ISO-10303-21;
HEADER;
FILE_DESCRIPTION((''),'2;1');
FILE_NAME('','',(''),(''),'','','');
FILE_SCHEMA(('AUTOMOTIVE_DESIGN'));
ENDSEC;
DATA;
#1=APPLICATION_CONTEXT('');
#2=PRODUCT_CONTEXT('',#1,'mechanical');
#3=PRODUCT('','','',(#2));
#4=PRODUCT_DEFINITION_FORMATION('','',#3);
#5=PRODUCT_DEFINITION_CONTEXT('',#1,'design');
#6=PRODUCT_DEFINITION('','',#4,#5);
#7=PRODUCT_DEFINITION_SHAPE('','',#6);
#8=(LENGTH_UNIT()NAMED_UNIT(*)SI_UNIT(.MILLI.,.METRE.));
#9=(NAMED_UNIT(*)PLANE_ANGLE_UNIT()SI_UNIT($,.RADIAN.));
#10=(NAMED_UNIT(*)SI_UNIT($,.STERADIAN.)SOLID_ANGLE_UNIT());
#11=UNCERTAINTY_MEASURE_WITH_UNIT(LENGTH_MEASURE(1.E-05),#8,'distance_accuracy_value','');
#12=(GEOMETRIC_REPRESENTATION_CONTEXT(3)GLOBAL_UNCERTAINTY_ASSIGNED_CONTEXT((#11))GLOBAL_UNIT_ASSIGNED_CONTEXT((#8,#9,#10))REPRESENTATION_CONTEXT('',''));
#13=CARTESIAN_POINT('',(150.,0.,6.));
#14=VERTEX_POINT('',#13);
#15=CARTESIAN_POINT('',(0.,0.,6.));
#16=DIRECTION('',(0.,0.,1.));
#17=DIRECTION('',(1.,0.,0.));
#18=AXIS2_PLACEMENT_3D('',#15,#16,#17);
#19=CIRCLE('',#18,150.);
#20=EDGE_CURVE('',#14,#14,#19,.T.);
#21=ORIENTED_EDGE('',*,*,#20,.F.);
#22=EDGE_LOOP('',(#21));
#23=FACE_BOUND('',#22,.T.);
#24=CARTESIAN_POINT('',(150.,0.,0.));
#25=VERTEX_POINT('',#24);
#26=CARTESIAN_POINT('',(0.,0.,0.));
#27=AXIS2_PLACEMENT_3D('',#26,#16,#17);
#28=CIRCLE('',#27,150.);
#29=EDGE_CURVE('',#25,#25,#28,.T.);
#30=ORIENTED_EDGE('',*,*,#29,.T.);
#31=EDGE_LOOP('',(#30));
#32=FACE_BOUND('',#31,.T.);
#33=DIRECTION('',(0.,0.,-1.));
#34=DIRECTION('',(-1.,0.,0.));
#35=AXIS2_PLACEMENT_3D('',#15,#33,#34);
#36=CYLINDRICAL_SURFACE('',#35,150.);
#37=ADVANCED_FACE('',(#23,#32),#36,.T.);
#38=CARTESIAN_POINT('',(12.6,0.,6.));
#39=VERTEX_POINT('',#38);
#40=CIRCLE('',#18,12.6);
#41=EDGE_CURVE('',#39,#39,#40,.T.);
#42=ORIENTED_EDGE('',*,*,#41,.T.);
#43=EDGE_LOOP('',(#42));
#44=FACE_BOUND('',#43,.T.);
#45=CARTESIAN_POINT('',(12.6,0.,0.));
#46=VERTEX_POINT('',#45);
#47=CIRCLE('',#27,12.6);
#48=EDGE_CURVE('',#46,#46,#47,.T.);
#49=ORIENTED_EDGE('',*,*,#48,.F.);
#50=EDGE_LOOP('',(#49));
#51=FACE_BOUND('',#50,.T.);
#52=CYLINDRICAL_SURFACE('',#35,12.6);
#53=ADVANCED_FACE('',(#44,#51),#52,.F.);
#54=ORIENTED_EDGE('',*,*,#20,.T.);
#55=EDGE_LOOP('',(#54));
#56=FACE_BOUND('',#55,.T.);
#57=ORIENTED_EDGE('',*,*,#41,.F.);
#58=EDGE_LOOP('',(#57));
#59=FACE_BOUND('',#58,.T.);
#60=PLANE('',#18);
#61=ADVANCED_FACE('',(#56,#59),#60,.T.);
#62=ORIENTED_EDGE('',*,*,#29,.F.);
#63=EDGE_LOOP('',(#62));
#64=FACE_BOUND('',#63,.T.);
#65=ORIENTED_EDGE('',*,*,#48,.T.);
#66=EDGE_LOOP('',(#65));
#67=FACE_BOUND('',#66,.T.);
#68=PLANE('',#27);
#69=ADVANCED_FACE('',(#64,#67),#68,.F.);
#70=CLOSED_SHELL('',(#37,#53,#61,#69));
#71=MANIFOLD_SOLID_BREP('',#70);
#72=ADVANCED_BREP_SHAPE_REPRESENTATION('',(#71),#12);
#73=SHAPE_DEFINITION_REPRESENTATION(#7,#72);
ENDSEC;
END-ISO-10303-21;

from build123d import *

# Parameters (mm, degrees)
ESQUISSE1_R        = 150
ESQUISSE1_R_2      = 12.6
BOSS_EXTRU_1_DEPTH = 6


with BuildPart() as part:
    # Esquisse1 → Boss.-Extru.1 (new body)
    with BuildSketch(Plane.XY):
        Circle(ESQUISSE1_R)
        Circle(ESQUISSE1_R_2, mode=Mode.SUBTRACT)
    extrude(amount=BOSS_EXTRU_1_DEPTH)


solid = part.part
